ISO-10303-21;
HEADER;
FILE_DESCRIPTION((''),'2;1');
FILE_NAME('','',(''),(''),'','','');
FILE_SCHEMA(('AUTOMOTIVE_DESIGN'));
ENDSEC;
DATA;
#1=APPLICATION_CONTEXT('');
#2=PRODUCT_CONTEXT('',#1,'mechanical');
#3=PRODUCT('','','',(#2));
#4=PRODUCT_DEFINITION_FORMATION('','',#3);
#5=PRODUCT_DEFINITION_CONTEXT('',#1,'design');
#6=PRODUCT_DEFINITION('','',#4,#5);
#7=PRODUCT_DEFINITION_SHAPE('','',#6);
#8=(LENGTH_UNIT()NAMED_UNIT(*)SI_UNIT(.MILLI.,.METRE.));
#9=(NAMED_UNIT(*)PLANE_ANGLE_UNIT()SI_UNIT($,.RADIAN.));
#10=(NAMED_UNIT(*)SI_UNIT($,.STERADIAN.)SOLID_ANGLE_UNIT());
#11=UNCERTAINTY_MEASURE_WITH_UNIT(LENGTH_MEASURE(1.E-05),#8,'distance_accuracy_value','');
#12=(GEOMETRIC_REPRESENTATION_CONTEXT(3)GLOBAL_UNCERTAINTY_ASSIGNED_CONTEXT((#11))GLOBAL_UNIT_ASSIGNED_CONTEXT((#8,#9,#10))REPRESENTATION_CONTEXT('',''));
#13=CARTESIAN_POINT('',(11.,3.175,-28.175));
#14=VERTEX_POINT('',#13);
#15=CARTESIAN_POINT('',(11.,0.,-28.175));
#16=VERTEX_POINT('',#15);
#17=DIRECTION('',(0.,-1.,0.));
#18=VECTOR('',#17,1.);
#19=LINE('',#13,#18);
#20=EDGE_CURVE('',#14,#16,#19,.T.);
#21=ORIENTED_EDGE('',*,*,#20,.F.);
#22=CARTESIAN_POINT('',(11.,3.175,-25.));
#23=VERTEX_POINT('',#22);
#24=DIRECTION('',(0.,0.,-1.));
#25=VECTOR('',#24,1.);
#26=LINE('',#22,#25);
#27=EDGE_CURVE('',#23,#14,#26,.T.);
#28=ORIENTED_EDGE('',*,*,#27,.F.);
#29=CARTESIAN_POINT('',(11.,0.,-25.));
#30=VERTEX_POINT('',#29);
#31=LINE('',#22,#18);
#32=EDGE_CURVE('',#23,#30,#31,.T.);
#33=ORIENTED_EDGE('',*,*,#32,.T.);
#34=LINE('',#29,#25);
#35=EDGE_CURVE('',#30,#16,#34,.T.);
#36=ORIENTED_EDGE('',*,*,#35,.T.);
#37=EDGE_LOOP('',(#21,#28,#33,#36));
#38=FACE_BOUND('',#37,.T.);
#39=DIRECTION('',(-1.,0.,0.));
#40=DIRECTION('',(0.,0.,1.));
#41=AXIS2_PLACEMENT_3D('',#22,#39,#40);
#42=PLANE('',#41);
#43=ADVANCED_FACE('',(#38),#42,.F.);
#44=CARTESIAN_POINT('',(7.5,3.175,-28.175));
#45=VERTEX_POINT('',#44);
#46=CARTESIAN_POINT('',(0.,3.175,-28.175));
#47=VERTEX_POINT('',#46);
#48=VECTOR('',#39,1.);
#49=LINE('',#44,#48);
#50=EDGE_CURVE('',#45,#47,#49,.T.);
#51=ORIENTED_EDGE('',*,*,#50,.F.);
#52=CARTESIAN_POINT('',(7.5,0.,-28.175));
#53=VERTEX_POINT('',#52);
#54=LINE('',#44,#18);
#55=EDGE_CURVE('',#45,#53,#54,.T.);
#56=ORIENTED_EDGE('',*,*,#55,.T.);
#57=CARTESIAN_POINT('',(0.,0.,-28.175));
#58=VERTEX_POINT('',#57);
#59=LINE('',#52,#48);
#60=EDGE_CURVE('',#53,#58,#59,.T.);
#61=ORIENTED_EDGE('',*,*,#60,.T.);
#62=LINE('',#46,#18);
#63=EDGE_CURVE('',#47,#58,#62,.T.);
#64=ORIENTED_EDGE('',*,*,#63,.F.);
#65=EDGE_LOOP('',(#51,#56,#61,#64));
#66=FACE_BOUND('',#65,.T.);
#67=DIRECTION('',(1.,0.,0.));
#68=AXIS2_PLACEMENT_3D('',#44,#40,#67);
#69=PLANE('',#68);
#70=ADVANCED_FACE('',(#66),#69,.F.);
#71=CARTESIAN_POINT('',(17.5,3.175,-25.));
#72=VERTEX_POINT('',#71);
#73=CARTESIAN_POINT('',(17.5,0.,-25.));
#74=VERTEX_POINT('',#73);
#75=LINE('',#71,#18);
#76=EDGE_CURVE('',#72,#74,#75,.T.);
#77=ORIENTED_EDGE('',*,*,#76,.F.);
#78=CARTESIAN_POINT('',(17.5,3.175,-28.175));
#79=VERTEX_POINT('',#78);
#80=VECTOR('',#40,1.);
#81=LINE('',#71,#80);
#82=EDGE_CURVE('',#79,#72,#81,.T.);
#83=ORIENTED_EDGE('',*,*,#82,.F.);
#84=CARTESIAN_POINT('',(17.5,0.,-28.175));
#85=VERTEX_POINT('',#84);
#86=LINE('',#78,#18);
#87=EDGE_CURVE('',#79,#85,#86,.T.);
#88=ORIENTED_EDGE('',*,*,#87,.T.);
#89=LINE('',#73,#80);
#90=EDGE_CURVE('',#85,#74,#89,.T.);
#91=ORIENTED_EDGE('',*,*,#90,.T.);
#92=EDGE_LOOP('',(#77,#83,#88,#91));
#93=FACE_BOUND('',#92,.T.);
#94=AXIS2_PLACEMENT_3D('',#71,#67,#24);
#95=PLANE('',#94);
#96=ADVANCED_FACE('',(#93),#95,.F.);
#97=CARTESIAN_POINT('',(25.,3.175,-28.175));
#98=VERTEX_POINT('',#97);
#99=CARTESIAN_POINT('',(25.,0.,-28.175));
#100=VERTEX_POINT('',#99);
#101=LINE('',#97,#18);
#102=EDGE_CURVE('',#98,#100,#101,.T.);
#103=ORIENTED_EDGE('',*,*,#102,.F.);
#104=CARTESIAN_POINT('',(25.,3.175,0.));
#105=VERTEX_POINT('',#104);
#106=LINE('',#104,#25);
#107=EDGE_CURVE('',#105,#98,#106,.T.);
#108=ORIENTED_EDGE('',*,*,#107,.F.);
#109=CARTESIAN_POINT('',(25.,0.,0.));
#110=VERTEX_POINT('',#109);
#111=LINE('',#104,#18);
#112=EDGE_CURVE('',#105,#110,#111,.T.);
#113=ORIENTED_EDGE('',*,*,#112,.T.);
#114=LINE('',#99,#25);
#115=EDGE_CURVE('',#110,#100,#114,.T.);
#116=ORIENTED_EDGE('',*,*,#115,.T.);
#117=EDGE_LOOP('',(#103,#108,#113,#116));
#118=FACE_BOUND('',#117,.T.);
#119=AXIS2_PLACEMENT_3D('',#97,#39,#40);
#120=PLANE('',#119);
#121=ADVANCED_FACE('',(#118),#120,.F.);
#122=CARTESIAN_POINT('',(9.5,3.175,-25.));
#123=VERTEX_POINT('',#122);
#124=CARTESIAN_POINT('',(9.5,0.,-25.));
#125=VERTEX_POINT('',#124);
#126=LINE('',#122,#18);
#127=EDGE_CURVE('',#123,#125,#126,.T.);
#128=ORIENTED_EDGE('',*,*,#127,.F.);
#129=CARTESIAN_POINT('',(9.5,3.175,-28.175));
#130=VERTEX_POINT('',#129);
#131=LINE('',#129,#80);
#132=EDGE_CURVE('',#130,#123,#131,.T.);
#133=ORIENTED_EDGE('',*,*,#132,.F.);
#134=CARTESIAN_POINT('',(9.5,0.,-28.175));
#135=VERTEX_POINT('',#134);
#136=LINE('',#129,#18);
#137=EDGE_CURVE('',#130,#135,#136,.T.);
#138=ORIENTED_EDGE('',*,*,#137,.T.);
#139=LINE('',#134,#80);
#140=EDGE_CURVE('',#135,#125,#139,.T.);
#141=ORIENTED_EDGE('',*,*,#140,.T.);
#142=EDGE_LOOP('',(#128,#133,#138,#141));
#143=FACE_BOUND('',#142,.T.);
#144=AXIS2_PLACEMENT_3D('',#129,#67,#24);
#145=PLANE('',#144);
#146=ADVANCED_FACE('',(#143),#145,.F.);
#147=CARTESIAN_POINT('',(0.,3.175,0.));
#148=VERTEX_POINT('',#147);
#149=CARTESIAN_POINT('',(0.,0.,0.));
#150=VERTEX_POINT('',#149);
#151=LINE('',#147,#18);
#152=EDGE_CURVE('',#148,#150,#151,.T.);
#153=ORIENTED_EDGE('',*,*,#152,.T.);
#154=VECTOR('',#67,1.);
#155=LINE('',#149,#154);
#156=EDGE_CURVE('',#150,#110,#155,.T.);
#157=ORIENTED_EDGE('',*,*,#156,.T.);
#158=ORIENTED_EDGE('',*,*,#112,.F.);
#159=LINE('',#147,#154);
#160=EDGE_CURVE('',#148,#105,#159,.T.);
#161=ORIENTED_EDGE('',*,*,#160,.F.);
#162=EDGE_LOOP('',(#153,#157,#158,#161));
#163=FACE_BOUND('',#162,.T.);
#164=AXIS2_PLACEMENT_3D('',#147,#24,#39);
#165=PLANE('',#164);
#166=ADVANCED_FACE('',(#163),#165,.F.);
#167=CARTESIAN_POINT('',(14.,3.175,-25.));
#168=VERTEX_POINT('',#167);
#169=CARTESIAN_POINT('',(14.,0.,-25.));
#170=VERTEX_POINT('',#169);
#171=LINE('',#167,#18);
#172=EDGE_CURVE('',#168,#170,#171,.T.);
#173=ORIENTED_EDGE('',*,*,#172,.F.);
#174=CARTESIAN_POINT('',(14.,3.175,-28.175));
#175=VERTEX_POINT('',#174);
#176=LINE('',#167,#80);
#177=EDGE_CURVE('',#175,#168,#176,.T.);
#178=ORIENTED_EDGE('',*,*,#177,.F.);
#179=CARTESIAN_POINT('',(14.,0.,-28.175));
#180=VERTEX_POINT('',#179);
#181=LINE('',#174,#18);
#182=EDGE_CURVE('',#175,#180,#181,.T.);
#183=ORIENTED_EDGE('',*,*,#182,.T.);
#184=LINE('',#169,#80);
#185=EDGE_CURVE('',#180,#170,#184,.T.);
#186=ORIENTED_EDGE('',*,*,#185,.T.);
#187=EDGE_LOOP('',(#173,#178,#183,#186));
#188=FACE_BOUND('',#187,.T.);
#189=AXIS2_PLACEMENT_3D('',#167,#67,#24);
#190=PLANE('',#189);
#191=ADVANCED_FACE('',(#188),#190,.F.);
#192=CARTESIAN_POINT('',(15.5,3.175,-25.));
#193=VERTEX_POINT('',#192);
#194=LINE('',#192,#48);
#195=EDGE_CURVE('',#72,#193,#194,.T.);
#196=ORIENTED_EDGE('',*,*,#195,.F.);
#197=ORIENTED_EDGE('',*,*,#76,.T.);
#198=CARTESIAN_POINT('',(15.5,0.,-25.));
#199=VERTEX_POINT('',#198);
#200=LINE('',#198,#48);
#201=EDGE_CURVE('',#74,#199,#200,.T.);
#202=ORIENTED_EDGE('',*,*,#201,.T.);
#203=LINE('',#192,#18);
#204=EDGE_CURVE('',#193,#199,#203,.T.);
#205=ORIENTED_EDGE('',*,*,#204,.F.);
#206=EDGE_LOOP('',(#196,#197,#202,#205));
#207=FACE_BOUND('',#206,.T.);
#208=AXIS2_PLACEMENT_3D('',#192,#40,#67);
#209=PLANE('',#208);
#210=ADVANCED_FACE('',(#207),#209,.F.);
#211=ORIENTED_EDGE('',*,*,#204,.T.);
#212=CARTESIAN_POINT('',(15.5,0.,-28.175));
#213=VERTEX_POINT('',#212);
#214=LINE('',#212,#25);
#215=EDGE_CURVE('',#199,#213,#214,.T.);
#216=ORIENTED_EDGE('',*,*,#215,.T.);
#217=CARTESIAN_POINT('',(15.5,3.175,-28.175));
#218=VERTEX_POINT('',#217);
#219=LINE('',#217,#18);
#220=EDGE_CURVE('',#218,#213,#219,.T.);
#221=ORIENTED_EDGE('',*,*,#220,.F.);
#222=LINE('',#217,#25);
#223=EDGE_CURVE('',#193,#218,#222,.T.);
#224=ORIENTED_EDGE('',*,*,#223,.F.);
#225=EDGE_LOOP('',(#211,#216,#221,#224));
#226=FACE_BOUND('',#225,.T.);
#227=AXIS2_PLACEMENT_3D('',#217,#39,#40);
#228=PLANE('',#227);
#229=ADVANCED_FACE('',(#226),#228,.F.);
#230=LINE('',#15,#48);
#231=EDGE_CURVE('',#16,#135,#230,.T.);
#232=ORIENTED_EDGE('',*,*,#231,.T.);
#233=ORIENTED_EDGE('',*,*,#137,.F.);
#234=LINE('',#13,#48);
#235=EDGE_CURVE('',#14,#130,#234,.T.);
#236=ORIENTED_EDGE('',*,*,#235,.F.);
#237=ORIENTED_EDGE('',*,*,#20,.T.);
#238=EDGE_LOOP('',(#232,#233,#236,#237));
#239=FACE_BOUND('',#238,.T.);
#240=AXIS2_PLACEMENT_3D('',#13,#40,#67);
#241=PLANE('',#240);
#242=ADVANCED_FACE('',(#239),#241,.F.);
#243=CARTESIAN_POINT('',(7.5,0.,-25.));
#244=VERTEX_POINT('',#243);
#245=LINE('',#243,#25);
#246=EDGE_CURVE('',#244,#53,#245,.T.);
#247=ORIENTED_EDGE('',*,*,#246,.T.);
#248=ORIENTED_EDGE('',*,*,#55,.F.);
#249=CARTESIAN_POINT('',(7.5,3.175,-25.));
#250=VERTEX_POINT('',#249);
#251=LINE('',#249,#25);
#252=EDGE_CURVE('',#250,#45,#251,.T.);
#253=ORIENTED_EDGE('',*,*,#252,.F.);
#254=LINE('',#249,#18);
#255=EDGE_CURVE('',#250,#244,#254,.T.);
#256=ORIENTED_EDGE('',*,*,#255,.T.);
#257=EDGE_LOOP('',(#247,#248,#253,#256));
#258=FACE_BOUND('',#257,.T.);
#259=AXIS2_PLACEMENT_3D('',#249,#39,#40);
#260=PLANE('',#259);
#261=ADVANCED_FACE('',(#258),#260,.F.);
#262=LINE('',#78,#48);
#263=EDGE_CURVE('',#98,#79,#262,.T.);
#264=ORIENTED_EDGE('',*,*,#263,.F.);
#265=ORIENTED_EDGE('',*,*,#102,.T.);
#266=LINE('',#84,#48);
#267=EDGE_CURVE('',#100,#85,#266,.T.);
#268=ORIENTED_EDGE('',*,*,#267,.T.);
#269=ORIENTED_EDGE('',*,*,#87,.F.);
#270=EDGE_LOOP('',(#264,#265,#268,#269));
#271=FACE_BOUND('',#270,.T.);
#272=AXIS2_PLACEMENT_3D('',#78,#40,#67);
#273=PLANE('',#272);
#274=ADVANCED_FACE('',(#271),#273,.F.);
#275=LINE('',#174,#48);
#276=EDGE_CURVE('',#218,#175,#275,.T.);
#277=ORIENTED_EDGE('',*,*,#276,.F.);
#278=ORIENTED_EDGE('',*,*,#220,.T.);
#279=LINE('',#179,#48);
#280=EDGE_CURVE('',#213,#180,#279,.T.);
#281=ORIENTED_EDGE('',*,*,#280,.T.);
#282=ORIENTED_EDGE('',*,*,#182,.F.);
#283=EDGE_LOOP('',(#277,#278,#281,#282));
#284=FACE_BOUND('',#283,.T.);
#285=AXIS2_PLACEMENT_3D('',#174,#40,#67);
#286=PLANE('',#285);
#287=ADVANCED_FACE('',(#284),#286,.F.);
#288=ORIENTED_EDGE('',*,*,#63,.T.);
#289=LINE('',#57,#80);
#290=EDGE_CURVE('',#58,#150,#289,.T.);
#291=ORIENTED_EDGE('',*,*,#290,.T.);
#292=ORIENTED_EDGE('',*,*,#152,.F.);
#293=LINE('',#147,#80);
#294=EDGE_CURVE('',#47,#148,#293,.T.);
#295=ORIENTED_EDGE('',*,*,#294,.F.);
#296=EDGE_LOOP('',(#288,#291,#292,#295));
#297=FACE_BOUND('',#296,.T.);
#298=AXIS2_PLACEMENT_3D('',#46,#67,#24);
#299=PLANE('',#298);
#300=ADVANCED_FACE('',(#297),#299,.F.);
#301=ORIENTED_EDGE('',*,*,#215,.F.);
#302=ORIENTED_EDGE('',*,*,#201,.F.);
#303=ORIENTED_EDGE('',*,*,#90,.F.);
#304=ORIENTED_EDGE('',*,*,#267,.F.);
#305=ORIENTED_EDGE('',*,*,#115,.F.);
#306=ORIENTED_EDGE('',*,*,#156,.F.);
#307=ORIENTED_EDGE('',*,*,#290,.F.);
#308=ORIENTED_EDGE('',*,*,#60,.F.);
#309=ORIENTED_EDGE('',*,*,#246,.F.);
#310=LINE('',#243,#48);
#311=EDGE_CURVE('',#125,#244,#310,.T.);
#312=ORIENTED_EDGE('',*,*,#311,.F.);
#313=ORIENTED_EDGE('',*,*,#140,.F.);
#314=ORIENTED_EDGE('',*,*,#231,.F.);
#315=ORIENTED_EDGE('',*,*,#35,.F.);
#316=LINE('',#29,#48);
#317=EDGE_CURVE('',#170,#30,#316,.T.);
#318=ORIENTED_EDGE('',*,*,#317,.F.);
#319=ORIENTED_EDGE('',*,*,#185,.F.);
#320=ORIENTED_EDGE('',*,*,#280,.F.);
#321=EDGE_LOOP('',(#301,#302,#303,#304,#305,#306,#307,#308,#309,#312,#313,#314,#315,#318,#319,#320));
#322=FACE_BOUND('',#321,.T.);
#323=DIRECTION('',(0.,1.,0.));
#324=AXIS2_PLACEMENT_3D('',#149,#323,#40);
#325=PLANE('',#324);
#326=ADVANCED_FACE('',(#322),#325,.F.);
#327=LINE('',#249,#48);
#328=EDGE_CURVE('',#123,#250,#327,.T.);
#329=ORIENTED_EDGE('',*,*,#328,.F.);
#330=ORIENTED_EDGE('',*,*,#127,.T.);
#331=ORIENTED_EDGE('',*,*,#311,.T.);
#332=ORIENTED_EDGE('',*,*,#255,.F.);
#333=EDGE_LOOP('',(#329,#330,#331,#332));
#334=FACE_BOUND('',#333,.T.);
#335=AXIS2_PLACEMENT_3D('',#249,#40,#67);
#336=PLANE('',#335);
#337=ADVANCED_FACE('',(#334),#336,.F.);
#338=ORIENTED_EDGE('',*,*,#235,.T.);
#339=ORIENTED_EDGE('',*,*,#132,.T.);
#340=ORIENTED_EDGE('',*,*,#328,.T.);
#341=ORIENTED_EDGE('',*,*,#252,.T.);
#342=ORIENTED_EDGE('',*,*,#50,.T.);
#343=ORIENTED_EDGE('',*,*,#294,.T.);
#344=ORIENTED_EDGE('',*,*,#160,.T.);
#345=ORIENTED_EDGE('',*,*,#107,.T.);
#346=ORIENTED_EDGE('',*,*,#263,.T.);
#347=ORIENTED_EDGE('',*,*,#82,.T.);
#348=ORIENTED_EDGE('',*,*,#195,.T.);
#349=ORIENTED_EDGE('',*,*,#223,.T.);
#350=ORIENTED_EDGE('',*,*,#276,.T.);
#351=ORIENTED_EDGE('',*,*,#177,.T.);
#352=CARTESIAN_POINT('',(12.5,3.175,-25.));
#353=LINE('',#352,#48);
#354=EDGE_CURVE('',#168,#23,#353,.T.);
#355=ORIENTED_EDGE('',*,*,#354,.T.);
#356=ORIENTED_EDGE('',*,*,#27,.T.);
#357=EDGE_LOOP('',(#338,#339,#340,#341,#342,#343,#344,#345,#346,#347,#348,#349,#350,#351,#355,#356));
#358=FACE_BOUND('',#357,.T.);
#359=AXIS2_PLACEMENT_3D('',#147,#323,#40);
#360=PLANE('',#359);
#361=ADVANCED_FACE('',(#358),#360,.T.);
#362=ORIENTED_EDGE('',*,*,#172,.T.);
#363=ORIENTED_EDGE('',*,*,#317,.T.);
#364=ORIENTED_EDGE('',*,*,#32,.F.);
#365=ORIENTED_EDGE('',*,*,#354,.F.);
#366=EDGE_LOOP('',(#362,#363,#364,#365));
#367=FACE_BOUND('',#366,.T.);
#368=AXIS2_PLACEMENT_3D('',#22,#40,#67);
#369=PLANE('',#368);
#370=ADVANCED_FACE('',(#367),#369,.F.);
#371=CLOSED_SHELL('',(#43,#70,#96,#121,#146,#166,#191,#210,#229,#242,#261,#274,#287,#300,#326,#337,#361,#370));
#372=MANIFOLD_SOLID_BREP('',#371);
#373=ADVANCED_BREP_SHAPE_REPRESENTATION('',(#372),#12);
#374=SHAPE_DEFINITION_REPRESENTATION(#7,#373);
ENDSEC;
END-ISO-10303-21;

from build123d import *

# Parameters (mm, degrees)
BOSS_EXTRUDE1_DEPTH = 3.175


with BuildPart() as part:
    # Sketch1 → Boss-Extrude1 (new body)
    with BuildSketch(Plane(origin=(0, 0, 0), x_dir=(1, 0, 0), z_dir=(0, 1, 0))):
        Polygon((0, 0), (25, 0), (25, 25), (25, 28.175), (17.5, 28.175), (17.5, 25), (15.5, 25), (15.5, 28.175), (14, 28.175), (14, 25), (12.5, 25), (11, 25), (11, 28.175), (9.5, 28.175), (9.5, 25), (7.5, 25), (7.5, 28.175), (0, 28.175), (0, 25), align=None)
    extrude(amount=BOSS_EXTRUDE1_DEPTH)


solid = part.part
